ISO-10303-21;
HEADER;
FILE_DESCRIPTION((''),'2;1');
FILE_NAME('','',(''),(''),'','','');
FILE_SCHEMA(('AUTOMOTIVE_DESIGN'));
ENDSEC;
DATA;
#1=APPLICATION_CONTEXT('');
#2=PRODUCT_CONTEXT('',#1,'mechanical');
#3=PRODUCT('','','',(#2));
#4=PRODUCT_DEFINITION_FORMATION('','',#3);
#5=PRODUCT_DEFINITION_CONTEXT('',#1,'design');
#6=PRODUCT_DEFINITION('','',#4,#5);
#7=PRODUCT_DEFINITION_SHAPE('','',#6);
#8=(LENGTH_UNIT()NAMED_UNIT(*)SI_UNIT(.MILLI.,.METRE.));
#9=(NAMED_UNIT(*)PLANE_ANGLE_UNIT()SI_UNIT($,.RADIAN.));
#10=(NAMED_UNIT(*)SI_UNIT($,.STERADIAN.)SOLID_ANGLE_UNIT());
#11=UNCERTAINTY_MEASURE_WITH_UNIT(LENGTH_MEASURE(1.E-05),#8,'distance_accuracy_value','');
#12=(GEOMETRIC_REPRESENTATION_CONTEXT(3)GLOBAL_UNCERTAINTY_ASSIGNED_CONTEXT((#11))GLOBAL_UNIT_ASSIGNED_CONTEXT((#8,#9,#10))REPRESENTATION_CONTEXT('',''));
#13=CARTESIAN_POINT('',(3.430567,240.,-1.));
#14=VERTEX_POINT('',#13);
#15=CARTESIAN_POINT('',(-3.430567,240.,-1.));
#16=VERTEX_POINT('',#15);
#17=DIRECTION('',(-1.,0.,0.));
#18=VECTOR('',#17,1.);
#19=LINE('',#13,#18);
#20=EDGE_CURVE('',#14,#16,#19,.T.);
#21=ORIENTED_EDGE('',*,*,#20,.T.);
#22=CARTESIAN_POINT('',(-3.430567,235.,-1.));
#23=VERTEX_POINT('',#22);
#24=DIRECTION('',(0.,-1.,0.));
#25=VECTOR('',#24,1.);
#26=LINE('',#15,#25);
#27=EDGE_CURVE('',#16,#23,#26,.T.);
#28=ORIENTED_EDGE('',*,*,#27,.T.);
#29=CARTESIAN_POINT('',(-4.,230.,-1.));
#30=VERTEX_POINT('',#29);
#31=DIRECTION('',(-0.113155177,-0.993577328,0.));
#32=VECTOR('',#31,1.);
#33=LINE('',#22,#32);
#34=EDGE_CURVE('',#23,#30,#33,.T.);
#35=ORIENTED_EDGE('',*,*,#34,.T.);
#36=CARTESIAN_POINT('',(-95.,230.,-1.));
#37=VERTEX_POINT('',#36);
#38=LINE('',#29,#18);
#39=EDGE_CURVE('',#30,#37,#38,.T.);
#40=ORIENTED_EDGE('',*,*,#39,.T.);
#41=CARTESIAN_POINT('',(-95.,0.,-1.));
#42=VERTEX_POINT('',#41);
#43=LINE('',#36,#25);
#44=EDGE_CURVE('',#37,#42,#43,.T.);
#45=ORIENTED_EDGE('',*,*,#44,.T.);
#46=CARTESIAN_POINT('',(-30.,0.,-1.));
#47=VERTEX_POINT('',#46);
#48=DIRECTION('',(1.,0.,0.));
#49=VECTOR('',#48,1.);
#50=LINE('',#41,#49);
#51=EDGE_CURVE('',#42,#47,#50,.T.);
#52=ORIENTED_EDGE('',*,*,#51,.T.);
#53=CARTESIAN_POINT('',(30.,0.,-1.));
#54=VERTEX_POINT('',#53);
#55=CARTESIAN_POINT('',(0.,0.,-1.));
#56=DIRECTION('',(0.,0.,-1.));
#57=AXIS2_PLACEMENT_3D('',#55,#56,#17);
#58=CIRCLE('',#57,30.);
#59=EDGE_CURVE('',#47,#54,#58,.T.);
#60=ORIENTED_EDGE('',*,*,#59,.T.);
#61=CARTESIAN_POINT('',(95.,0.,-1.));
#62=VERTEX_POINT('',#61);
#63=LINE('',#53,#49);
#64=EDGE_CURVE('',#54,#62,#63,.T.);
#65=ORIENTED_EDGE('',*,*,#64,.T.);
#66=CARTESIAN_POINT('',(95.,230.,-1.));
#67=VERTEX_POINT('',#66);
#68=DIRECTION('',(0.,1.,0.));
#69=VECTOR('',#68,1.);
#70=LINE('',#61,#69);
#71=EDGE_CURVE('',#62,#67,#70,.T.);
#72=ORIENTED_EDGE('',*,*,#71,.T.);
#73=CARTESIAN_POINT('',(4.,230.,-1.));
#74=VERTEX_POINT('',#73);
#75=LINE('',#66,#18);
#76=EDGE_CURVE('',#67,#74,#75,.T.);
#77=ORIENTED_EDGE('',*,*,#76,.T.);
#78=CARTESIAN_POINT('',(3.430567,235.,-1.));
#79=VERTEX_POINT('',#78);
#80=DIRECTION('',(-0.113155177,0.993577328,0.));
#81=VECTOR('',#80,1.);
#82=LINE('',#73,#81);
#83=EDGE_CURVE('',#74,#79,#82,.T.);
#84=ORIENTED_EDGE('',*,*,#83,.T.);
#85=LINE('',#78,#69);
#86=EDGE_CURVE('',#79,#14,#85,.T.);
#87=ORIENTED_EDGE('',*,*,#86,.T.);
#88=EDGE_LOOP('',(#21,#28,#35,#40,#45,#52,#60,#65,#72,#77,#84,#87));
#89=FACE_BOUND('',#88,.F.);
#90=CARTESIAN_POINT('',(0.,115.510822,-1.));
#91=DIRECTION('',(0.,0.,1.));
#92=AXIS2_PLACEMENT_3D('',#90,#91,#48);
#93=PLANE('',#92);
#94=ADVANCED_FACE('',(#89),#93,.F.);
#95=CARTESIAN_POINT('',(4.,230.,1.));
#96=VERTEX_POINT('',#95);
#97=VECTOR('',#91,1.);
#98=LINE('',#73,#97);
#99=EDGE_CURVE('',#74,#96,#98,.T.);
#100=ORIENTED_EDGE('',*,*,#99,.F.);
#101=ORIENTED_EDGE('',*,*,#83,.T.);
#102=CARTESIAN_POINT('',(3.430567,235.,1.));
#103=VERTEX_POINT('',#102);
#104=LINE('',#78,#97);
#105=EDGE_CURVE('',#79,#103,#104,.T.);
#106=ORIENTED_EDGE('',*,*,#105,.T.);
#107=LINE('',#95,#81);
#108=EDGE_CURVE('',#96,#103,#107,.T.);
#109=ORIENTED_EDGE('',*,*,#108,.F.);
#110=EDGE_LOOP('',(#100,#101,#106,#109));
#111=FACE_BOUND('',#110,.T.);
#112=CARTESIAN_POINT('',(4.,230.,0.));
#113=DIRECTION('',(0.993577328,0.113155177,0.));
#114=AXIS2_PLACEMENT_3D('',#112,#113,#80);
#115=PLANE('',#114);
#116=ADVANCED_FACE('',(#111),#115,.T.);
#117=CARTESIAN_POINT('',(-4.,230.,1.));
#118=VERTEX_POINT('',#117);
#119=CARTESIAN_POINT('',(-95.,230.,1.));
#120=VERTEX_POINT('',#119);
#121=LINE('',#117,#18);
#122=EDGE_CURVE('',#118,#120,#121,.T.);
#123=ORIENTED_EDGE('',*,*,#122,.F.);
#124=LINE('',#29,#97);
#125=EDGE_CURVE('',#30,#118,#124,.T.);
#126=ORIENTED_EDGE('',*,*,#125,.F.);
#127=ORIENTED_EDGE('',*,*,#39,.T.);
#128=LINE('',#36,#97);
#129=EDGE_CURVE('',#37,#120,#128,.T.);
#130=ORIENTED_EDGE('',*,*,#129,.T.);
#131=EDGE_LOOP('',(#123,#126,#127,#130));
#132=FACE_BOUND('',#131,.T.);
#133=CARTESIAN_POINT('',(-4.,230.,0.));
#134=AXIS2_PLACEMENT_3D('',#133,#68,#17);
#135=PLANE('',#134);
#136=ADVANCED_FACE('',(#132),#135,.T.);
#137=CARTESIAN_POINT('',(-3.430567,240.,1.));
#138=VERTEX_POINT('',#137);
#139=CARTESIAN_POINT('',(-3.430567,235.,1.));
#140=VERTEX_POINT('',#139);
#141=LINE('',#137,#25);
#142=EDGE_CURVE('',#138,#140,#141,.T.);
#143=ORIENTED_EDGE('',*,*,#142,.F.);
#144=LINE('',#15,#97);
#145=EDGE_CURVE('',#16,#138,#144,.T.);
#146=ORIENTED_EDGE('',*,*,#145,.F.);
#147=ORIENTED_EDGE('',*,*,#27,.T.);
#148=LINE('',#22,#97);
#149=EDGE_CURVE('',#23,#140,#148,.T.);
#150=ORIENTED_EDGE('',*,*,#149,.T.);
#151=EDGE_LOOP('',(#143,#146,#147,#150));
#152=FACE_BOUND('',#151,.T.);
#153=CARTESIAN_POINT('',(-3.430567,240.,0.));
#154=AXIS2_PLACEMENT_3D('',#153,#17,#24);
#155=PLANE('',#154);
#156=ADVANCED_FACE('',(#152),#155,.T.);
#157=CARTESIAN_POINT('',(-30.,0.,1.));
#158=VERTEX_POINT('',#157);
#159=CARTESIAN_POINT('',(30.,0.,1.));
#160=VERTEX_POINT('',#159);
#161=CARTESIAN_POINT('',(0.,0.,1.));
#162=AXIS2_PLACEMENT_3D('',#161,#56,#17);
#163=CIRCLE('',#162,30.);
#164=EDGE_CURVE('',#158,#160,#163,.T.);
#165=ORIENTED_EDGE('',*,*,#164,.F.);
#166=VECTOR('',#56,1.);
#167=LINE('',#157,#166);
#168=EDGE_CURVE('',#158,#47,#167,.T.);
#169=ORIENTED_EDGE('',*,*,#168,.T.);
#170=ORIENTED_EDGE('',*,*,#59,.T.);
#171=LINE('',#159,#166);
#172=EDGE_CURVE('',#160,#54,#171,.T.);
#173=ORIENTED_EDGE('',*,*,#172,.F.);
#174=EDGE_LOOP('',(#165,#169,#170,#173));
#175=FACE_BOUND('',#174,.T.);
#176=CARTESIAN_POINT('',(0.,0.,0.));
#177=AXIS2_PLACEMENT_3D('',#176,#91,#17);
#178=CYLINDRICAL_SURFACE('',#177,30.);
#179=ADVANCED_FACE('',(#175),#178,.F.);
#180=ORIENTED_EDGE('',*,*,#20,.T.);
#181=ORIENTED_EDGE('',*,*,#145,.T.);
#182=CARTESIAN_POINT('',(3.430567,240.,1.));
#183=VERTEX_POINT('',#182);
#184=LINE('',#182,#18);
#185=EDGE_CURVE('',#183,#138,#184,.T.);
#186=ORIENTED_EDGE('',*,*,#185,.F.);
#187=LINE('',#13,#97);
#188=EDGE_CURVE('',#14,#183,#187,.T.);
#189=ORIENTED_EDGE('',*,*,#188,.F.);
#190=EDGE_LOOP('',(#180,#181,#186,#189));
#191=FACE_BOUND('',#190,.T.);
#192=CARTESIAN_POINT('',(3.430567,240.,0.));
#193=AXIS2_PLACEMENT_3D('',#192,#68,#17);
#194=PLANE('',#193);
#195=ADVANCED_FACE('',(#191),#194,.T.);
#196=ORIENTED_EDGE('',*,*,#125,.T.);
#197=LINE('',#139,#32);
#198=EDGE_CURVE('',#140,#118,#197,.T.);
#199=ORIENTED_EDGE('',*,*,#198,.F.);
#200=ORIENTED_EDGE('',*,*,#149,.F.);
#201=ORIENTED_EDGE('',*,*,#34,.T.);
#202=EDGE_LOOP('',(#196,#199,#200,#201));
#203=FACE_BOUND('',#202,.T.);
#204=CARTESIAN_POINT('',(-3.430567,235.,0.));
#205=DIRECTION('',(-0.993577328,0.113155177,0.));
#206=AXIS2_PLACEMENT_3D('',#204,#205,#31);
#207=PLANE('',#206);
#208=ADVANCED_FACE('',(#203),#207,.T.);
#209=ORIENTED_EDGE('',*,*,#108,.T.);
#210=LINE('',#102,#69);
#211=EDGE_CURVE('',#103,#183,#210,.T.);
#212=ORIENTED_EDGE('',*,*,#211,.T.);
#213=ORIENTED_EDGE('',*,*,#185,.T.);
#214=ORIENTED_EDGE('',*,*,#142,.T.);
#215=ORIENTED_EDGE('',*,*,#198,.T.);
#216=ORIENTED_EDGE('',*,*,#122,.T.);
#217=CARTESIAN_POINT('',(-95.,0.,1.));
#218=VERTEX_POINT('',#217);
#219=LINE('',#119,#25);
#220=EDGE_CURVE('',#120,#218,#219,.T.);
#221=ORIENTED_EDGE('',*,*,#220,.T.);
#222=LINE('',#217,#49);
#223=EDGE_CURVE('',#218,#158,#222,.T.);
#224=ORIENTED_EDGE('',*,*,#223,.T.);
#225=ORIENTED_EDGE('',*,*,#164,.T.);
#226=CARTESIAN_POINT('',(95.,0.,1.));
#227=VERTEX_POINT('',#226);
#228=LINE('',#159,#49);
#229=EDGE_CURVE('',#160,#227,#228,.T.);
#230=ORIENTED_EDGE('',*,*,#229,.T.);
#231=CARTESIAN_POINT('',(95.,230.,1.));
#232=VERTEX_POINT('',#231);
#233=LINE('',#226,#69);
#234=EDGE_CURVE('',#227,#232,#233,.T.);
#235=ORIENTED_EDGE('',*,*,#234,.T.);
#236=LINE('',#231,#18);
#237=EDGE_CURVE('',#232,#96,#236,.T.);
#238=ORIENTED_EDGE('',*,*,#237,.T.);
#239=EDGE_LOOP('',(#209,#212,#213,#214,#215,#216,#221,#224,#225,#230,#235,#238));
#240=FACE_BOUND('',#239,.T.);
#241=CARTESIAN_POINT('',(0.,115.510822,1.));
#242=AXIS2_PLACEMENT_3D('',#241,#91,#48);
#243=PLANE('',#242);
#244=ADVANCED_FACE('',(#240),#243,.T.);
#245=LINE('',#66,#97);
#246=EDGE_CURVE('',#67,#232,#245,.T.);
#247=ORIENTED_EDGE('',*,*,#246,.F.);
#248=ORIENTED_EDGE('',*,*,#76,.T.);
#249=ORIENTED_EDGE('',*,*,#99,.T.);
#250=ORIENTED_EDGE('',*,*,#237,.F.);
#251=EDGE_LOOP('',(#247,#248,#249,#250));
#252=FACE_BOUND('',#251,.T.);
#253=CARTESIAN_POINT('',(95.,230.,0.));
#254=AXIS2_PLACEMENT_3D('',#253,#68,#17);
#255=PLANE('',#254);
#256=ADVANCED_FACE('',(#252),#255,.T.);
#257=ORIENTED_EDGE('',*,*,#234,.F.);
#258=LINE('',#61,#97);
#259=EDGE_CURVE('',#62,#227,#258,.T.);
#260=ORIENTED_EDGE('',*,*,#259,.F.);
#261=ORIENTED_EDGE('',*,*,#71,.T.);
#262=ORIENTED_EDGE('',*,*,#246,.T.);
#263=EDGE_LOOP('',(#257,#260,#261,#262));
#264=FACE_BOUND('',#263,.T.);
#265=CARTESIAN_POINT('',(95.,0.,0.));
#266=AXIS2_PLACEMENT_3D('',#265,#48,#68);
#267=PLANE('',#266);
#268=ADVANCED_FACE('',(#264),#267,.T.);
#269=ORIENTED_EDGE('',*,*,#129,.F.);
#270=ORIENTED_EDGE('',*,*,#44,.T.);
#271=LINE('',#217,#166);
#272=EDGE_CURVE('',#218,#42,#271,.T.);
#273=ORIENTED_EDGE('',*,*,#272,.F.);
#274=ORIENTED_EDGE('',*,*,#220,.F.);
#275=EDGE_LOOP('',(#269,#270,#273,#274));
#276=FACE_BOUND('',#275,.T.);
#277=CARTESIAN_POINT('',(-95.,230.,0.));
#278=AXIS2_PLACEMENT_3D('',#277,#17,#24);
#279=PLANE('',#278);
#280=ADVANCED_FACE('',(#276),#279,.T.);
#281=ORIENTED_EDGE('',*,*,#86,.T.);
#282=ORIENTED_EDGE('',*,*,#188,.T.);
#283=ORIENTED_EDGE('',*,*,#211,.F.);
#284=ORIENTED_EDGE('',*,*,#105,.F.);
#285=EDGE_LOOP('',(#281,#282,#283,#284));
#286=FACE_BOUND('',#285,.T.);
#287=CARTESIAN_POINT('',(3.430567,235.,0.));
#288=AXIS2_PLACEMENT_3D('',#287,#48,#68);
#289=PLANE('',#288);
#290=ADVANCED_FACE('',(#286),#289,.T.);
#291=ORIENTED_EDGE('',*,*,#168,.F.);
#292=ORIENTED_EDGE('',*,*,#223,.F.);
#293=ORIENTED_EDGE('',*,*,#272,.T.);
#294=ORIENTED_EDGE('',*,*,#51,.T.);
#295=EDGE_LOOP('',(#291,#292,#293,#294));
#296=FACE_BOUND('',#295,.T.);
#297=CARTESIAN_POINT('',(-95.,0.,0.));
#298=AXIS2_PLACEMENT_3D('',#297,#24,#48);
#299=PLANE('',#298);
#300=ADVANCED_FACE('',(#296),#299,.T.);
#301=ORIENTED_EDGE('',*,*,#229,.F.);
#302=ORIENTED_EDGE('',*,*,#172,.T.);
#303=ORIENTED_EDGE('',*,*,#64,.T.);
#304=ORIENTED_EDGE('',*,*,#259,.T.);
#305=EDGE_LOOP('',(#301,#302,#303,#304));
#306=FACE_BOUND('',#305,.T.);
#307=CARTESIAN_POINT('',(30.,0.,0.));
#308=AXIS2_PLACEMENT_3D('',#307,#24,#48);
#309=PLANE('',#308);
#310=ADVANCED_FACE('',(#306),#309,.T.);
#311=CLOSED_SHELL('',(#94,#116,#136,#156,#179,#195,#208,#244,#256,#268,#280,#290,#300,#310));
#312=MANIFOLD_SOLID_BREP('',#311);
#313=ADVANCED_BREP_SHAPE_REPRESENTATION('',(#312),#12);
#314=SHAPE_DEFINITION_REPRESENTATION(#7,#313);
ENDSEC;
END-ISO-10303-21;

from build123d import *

# Parameters (mm, degrees)
BOSS_EXTRUDE1_DEPTH = 1


with BuildPart() as part:
    # Sketch2 → Boss-Extrude1 (new, symmetric)
    with BuildSketch(Plane.XY):
        with BuildLine():
            Line((30, 0), (95, 0))
            Line((95, 0), (95, 230))
            Line((95, 230), (4, 230))
            Line((4, 230), (3.430566833, 235))
            Line((3.430566833, 235), (3.430566833, 240))
            Line((3.430566833, 240), (-3.430566833, 240))
            Line((-3.430566833, 240), (-3.430566833, 235))
            Line((-3.430566833, 235), (-4, 230))
            Line((-4, 230), (-95, 230))
            Line((-95, 230), (-95, 0))
            Line((-95, 0), (-30, 0))
            ThreePointArc((-30, 0), (0, 30), (30, 0))
        make_face()
    extrude(amount=BOSS_EXTRUDE1_DEPTH, both=True)


solid = part.part
